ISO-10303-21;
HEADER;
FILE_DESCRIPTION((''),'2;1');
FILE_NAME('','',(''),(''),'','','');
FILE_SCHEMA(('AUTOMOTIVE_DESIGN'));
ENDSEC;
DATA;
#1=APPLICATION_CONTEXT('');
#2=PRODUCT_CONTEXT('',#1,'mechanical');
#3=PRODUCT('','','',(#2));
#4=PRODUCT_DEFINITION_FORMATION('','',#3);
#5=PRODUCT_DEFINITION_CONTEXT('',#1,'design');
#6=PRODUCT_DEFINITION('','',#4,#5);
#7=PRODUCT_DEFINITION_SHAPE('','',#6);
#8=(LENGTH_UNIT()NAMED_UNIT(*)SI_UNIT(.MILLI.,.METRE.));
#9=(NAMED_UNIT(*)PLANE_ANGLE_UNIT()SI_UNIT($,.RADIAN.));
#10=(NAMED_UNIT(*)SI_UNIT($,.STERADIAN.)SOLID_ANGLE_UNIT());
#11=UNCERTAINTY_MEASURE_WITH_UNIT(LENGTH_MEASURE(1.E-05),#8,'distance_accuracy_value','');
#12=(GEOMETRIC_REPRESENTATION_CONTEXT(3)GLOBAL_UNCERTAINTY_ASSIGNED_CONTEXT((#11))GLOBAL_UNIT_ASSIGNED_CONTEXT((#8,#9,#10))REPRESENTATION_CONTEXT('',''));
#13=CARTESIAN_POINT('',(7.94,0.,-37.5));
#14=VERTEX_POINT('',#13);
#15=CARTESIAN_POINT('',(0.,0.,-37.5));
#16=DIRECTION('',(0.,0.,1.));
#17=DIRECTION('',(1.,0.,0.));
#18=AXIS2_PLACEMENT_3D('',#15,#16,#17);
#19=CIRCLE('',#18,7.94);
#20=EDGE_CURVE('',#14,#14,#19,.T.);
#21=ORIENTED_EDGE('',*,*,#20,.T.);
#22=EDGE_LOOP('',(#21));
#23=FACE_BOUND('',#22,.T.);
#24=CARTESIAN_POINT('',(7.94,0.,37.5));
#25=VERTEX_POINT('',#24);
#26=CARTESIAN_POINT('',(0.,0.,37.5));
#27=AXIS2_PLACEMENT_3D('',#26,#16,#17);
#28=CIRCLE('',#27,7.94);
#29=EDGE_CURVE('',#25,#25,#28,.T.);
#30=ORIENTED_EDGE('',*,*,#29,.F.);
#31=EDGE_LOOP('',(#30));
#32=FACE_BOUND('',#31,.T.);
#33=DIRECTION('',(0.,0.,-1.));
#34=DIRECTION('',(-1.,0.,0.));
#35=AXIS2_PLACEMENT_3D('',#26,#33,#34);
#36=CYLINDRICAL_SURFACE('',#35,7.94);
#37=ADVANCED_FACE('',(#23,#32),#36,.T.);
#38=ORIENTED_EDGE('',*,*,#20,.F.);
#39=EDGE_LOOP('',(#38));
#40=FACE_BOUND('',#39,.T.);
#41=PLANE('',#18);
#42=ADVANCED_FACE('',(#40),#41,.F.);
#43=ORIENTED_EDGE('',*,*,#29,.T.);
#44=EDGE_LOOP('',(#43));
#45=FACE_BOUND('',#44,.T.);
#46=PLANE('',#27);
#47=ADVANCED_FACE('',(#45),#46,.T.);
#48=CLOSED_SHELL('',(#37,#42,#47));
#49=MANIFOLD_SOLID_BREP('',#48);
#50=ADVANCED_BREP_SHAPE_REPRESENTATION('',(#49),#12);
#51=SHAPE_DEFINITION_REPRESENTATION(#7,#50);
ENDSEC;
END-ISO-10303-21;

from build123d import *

# Parameters (mm, degrees)
CROQUIS1_R              = 7.94
SALIENTE_EXTRUIR1_DEPTH = 37.5


with BuildPart() as part:
    # Croquis1 → Saliente-Extruir1 (new, symmetric)
    with BuildSketch(Plane.XY):
        Circle(CROQUIS1_R)
    extrude(amount=SALIENTE_EXTRUIR1_DEPTH, both=True)


solid = part.part
